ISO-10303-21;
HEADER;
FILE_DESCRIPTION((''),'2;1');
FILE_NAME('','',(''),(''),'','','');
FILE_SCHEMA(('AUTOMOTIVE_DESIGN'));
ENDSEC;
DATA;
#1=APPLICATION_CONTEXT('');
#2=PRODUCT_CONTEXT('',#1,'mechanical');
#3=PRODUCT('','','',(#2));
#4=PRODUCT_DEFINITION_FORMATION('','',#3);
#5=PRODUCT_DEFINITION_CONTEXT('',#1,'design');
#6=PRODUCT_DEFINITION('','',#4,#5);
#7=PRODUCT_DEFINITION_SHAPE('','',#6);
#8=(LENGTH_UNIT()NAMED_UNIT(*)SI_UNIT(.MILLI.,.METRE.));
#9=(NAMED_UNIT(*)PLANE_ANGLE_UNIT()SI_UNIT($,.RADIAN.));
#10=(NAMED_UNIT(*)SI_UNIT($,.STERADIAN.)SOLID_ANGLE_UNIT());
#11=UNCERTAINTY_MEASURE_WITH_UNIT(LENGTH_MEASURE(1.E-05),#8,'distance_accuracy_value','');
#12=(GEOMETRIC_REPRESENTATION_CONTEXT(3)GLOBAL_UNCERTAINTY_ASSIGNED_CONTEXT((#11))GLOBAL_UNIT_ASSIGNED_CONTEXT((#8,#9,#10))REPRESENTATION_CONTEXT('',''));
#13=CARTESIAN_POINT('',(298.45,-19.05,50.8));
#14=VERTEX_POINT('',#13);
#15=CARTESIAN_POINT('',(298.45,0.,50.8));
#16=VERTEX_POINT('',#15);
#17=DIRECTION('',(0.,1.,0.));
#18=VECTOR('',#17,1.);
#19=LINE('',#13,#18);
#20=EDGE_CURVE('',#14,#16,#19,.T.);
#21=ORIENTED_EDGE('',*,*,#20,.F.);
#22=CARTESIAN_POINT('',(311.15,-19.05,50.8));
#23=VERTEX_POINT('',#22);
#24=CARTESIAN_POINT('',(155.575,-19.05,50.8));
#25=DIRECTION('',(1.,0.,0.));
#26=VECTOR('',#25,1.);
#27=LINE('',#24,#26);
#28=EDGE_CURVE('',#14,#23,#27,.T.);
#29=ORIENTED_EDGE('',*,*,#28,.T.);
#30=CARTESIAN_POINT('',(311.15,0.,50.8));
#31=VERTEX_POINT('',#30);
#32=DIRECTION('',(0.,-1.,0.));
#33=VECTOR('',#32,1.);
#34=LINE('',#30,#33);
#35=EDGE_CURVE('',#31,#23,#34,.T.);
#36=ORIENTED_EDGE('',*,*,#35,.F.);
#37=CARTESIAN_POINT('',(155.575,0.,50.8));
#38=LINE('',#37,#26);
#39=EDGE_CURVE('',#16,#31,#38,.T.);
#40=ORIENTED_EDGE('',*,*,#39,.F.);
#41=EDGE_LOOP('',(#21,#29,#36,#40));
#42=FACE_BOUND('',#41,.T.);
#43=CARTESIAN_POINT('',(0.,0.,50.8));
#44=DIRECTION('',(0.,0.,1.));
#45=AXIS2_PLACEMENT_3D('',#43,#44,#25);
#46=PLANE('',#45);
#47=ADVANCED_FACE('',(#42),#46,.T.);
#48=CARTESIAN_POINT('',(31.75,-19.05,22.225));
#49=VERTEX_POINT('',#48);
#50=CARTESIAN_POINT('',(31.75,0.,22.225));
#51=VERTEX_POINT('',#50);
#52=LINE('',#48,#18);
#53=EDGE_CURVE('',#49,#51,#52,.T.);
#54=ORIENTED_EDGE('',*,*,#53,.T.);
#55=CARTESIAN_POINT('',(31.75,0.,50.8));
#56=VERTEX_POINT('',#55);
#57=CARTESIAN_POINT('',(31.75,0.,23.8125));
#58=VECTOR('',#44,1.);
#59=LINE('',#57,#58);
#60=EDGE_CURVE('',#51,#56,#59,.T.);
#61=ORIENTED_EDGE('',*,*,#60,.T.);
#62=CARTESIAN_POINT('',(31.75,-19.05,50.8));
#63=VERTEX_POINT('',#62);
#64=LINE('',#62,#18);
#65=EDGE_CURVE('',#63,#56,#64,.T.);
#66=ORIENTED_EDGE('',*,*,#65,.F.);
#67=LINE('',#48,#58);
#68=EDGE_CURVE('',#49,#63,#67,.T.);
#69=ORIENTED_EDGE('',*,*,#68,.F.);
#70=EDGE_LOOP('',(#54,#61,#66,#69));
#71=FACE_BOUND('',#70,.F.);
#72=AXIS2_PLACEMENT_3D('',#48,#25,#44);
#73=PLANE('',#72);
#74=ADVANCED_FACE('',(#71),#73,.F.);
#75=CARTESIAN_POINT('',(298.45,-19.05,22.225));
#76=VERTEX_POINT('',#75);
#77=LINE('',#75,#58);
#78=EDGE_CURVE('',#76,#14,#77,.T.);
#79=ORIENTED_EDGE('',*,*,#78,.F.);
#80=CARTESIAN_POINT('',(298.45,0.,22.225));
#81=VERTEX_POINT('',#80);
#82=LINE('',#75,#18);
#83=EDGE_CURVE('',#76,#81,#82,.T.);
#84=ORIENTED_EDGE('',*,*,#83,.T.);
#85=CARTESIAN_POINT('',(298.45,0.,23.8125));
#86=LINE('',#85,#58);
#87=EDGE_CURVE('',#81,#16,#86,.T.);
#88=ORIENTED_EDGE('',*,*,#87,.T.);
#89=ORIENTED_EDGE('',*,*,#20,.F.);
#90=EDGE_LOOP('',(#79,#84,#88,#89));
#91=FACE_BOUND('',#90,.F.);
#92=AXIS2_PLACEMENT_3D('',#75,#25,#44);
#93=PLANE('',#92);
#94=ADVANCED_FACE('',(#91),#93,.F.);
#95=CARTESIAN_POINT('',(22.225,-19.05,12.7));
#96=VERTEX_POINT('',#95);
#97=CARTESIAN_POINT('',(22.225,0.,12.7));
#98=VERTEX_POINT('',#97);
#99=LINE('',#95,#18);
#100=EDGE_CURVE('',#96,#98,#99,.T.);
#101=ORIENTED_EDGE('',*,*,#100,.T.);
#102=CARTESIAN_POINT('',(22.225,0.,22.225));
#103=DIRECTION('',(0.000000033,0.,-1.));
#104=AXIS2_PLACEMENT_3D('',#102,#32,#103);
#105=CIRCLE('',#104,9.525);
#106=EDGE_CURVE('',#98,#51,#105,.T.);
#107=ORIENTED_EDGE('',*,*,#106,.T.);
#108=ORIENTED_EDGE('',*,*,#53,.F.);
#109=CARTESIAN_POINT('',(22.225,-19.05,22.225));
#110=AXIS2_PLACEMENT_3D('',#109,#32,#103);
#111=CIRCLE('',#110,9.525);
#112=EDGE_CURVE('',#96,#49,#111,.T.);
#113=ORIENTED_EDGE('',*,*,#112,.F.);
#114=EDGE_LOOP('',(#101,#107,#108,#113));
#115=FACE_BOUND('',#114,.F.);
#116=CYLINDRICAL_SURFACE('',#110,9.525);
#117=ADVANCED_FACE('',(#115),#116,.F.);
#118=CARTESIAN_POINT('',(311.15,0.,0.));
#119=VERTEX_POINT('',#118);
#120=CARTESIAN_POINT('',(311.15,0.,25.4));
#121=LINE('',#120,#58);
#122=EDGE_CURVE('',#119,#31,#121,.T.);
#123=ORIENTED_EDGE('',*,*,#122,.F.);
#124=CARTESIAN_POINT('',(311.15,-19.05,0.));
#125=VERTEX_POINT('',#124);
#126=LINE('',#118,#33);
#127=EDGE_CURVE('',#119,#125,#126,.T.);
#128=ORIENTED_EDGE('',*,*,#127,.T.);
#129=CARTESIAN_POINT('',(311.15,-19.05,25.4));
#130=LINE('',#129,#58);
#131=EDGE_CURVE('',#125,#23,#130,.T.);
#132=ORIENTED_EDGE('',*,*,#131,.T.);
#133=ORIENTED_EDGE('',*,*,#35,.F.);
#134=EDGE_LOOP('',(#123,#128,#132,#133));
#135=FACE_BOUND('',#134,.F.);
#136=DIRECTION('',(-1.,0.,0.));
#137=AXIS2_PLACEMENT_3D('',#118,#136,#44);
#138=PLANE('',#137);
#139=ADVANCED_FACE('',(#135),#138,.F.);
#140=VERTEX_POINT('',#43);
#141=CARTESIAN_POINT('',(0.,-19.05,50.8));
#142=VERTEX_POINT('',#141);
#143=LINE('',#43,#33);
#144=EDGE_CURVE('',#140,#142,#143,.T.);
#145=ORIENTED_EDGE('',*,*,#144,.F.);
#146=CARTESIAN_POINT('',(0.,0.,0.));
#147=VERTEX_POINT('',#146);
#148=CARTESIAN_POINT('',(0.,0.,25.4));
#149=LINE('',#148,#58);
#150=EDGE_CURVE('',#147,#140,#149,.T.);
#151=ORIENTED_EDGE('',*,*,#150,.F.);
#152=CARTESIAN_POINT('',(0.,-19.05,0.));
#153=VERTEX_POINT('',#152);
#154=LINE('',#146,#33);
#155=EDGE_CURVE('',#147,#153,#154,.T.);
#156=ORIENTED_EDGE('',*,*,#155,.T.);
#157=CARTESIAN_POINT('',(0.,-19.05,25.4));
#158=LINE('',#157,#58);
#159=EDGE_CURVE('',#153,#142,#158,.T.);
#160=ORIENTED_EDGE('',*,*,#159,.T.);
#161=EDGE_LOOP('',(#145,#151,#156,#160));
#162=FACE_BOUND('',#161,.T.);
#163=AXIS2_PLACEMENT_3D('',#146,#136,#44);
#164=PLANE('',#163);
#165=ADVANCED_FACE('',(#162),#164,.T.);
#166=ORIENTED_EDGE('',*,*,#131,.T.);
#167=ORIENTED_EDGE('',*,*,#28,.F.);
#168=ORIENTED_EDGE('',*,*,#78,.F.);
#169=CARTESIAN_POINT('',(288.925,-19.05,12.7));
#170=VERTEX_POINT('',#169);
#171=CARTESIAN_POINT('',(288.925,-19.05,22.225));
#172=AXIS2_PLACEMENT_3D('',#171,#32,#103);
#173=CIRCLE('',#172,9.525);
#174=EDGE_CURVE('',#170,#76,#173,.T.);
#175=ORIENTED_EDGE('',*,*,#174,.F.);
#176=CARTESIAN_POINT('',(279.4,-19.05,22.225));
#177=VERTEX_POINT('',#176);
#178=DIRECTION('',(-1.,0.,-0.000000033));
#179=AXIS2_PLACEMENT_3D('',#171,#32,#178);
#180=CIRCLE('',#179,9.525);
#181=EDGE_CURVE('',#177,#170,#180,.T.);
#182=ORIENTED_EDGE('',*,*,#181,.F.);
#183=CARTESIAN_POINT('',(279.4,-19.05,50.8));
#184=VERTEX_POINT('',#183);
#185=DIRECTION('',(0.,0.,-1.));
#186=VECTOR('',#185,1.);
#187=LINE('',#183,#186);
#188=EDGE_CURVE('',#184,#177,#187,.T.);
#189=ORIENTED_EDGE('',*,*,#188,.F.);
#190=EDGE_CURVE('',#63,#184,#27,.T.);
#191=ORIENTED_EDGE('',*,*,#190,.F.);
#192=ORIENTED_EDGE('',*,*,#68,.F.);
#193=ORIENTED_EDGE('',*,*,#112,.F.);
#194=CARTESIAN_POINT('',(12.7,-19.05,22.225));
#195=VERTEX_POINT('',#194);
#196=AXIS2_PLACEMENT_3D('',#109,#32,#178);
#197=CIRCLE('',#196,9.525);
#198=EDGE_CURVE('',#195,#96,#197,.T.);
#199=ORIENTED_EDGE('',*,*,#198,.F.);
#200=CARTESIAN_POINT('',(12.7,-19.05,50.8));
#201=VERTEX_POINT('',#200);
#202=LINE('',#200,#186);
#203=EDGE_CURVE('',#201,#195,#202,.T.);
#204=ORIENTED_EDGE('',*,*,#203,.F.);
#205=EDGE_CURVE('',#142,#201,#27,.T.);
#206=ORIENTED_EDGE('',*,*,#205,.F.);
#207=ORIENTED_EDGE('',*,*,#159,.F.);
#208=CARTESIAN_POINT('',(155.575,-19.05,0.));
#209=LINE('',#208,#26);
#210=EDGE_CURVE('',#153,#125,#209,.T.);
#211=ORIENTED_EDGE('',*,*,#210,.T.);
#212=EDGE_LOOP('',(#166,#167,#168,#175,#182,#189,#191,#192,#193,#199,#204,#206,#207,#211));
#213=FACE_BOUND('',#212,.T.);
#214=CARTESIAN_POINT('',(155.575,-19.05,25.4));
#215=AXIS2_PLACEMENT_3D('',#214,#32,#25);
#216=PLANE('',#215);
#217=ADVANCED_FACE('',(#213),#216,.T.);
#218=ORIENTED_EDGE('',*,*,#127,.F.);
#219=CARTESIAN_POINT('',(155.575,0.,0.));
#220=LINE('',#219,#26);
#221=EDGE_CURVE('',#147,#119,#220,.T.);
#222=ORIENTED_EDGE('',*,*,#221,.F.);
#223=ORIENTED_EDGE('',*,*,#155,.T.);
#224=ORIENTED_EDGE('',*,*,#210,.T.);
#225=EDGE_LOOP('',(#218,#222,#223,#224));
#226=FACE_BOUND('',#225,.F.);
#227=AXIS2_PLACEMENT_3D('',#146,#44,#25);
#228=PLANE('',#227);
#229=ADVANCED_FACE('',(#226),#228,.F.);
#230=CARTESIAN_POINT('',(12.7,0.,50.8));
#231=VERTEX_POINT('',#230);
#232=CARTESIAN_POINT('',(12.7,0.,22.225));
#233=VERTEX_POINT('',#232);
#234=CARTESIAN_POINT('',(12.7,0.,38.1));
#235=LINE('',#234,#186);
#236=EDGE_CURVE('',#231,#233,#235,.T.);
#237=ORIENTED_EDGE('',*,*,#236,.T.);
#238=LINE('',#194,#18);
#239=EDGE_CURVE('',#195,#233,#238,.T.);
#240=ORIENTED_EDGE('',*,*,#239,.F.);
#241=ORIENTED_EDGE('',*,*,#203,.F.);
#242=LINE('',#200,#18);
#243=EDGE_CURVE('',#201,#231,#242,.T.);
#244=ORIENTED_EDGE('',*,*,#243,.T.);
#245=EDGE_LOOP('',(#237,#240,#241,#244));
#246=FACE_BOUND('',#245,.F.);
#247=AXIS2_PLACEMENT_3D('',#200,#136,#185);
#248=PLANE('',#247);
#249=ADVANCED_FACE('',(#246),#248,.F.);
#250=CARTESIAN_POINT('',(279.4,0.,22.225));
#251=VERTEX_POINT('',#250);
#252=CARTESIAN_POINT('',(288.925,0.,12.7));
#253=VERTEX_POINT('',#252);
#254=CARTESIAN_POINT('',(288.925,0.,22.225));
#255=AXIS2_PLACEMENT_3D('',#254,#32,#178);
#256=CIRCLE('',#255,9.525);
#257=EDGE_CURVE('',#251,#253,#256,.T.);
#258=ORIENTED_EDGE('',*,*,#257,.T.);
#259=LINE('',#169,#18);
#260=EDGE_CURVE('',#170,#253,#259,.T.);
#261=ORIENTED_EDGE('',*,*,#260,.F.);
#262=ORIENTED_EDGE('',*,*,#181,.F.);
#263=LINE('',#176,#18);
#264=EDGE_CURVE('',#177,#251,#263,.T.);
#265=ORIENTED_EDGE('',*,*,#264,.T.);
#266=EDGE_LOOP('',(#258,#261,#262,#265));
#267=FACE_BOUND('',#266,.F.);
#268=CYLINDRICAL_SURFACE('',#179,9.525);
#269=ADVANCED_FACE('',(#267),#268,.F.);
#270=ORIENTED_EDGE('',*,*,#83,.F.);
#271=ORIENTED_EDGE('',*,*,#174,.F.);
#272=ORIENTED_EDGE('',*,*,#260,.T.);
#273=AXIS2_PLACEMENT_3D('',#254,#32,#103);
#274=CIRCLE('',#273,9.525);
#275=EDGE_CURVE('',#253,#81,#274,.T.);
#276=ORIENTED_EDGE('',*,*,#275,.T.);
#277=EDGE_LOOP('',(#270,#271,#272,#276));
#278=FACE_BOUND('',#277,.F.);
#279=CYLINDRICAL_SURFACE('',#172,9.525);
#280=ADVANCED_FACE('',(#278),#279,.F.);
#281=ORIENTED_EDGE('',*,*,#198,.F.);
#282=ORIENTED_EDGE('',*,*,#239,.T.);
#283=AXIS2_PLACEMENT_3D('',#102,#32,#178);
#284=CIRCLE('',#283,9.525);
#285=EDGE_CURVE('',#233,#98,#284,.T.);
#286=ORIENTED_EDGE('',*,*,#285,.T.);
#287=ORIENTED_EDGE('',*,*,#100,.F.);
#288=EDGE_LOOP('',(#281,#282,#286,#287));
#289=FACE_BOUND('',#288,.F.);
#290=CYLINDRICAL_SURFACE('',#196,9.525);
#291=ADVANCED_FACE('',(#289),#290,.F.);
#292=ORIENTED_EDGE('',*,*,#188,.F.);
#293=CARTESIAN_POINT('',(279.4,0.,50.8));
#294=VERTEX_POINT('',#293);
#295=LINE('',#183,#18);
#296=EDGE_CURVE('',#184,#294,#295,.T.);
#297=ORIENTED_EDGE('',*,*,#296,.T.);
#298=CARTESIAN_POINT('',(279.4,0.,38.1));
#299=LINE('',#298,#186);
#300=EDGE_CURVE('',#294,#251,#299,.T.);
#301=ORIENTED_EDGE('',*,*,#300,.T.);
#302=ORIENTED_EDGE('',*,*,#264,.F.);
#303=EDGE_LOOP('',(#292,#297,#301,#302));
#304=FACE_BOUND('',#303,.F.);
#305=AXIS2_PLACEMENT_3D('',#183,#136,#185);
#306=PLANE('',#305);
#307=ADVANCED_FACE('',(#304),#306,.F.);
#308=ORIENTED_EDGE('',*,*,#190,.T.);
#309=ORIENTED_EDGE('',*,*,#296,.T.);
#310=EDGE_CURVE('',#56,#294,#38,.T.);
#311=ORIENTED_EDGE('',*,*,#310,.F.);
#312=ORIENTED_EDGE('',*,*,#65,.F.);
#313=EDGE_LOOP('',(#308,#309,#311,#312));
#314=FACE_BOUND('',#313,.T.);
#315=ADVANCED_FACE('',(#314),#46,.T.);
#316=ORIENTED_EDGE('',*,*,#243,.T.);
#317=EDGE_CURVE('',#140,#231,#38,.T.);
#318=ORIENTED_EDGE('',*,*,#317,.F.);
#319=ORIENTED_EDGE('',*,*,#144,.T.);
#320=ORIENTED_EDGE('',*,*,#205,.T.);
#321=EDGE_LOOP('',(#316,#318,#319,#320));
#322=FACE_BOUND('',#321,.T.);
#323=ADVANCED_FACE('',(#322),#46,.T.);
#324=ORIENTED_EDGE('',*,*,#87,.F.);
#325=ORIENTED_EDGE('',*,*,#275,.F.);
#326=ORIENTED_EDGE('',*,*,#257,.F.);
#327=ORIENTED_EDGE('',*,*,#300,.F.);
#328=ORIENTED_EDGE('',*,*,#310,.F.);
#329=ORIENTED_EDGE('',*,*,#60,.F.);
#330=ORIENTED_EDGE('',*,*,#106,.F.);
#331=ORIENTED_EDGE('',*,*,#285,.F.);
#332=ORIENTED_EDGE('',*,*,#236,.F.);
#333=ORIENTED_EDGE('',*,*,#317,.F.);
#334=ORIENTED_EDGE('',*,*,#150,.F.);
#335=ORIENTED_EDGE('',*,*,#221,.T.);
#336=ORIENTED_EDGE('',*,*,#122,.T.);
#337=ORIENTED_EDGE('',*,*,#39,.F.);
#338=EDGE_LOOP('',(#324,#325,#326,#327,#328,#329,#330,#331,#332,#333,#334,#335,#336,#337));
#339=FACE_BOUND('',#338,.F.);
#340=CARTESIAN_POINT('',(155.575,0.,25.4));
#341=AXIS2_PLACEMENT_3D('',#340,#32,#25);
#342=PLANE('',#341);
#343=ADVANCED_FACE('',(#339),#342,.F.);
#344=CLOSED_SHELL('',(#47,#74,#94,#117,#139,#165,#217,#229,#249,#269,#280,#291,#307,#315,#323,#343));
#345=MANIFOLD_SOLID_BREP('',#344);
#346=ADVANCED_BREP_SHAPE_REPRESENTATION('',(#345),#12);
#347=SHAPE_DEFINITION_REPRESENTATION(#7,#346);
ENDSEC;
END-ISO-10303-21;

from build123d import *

# Parameters (mm, degrees)
F0_W     = 311.15
F0_H     = 50.8
F1_DEPTH = 19.05
F3_DEPTH = 19.051


with BuildPart() as f1:
    # F0 (on Front) → F1 (new body)
    with BuildSketch(Plane.XZ):
        with Locations((155.575, 25.4)):
            Rectangle(F0_W, F0_H)
    extrude(amount=F1_DEPTH)

    # F2 (on face) → F3 (cut, through all)
    with BuildSketch(Plane.XZ.offset(19.05)):
        with BuildLine():
            Line((31.75, 50.8), (12.7, 50.8))
            Line((12.7, 50.8), (12.7, 22.225))
            ThreePointArc((12.7, 22.225), (15.489808, 15.489808), (22.225, 12.7))
            ThreePointArc((22.225, 12.7), (28.960192, 15.489808), (31.75, 22.225))
            Line((31.75, 22.225), (31.75, 50.8))
        make_face()
        with BuildLine():
            Line((298.45, 50.8), (279.4, 50.8))
            Line((279.4, 50.8), (279.4, 22.225))
            ThreePointArc((279.4, 22.225), (282.189808, 15.489808), (288.925, 12.7))
            ThreePointArc((288.925, 12.7), (295.660192, 15.489808), (298.45, 22.225))
            Line((298.45, 22.225), (298.45, 50.8))
        make_face()
    extrude(amount=-F3_DEPTH, mode=Mode.SUBTRACT)


solid = f1.part
